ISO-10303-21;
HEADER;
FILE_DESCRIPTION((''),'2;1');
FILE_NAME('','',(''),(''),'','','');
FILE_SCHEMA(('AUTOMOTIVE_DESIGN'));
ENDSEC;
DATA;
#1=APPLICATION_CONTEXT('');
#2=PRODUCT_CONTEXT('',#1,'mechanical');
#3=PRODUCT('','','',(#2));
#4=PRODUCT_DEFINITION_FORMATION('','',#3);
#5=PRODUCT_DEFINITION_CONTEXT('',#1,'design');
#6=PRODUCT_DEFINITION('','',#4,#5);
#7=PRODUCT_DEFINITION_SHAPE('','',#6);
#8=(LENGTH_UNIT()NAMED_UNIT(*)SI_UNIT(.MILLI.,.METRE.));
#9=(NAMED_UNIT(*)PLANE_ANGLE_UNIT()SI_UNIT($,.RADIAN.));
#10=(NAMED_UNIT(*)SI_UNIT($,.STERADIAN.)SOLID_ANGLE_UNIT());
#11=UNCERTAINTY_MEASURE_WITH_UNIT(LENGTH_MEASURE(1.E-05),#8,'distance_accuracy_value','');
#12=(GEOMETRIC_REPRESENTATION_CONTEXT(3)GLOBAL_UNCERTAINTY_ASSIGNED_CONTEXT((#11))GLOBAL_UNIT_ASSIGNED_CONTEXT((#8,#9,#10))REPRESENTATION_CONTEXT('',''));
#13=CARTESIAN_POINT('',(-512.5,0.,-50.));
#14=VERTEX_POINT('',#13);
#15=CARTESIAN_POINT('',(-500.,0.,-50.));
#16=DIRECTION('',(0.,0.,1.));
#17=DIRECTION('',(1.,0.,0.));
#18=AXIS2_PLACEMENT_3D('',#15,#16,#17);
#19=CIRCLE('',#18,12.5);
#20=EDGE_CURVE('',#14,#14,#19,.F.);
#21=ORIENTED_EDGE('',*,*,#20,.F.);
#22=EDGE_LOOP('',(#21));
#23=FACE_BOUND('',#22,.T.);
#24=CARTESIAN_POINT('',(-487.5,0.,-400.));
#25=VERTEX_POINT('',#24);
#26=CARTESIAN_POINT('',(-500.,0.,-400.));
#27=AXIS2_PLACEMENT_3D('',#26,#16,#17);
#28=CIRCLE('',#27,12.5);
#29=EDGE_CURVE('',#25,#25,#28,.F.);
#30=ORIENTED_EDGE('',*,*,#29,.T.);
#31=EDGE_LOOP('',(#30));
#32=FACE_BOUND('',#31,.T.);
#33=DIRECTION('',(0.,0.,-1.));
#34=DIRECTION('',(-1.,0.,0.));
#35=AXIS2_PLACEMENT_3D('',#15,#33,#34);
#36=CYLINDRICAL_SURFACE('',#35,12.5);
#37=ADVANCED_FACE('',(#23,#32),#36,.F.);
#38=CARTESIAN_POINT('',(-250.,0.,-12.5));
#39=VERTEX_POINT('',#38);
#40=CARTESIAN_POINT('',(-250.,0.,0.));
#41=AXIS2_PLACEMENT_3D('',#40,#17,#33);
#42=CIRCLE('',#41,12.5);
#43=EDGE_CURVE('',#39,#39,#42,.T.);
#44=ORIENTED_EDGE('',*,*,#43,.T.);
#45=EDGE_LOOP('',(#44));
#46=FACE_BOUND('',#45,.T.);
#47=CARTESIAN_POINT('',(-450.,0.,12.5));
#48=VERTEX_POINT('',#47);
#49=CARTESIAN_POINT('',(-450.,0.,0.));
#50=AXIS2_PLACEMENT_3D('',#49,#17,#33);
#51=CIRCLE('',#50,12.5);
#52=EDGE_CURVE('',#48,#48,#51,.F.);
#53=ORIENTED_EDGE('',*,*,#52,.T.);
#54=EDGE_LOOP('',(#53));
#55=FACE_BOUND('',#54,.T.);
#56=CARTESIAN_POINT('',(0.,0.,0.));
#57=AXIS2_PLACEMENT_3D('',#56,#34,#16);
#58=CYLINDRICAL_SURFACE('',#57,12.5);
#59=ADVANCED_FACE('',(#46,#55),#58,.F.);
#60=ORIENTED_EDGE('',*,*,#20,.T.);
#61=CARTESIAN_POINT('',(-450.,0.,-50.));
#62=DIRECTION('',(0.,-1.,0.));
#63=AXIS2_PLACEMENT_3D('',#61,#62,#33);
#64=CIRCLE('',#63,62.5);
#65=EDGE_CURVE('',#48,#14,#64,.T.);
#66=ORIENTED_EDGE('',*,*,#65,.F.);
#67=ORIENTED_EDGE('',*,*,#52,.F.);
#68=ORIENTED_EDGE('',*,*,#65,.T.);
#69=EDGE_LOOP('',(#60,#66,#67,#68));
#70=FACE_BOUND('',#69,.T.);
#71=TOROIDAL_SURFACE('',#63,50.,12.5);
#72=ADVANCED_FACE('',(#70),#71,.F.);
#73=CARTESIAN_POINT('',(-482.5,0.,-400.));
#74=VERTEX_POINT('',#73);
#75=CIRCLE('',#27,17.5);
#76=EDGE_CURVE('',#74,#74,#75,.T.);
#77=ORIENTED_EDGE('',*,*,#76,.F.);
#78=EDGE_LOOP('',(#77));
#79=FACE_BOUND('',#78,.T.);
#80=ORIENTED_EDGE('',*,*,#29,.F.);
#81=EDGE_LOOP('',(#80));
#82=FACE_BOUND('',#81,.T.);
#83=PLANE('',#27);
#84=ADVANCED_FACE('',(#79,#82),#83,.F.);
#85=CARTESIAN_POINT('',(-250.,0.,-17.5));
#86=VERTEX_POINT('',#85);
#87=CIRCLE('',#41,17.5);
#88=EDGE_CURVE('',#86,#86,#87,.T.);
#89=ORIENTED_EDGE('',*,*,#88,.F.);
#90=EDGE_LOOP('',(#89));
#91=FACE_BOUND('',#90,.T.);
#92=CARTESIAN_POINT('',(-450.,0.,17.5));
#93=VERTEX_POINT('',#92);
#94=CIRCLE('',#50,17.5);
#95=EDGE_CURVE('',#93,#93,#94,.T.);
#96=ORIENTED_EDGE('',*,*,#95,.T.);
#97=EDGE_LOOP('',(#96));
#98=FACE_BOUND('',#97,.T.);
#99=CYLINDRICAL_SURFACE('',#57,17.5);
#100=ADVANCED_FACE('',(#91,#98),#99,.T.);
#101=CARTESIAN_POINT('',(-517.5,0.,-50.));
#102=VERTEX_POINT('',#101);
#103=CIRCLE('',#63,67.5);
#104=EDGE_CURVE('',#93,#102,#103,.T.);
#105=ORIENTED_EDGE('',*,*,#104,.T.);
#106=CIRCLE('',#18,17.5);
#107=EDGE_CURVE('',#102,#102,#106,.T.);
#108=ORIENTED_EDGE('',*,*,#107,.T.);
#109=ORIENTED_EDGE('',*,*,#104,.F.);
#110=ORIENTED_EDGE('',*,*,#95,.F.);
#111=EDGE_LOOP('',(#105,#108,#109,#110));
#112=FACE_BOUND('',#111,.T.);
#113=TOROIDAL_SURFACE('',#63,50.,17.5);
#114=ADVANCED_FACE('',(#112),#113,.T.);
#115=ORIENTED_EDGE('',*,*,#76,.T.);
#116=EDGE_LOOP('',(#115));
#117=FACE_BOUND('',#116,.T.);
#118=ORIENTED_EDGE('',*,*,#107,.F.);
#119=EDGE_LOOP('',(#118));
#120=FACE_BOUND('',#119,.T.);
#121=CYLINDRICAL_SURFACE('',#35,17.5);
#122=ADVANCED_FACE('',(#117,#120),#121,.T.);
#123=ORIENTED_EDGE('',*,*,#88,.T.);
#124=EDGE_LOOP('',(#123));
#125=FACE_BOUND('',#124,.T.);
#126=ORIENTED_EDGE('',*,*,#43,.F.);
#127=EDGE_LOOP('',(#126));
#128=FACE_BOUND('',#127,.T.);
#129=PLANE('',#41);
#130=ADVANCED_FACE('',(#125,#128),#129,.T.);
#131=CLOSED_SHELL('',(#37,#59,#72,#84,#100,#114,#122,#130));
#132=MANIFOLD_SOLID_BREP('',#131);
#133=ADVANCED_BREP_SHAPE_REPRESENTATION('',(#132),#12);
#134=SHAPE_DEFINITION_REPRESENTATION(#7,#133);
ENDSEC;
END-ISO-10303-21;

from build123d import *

# Parameters (mm, degrees)
SKETCH_1_R          = 17.5
SKETCH_1_R_2        = 12.5
CUT_EXTRUDE_3_REACH = 483.521
SKETCH_3_R          = 17.5
SKETCH_3_R_2        = 12.5


with BuildPart() as part:
    # 扫描1: sweep along a path in 草图2
    with BuildLine(Plane(origin=(0, 0, 0), x_dir=(1, 0, 0), z_dir=(0, 1, 0))) as sweep_1_path:
        Line((0, 0), (-450, 0))
        ThreePointArc((-450, 0), (-485.355339059, 14.644660941), (-500, 50))
        Line((-500, 50), (-500, 400))
    # 草图1 → 扫描1 (sweep)
    with BuildSketch(Plane(origin=(0, 0, 0), x_dir=(0, 0, -1), z_dir=(1, 0, 0))):
        Circle(SKETCH_1_R)
        Circle(SKETCH_1_R_2, mode=Mode.SUBTRACT)
    sweep(path=sweep_1_path.line)

    # 草图3 → 切除-拉伸3 (cut, up to next)
    with BuildSketch(Plane(origin=(-250, 0, 0), x_dir=(0, 0, -1), z_dir=(1, 0, 0)), mode=Mode.PRIVATE) as cut_extrude_3_sk1:
        with Locations(Location((0, 0, 0), (0, 0, 180))):
            Circle(SKETCH_3_R)
        with Locations(Location((0, 0, 0), (0, 0, 180))):
            Circle(SKETCH_3_R_2, mode=Mode.SUBTRACT)
    cut_extrude_3_tool1 = extrude(cut_extrude_3_sk1.sketch, amount=CUT_EXTRUDE_3_REACH, mode=Mode.PRIVATE) & part.part
    add(cut_extrude_3_tool1.solids().sort_by_distance((-250, 0, -17.005025))[0], mode=Mode.SUBTRACT)


solid = part.part
